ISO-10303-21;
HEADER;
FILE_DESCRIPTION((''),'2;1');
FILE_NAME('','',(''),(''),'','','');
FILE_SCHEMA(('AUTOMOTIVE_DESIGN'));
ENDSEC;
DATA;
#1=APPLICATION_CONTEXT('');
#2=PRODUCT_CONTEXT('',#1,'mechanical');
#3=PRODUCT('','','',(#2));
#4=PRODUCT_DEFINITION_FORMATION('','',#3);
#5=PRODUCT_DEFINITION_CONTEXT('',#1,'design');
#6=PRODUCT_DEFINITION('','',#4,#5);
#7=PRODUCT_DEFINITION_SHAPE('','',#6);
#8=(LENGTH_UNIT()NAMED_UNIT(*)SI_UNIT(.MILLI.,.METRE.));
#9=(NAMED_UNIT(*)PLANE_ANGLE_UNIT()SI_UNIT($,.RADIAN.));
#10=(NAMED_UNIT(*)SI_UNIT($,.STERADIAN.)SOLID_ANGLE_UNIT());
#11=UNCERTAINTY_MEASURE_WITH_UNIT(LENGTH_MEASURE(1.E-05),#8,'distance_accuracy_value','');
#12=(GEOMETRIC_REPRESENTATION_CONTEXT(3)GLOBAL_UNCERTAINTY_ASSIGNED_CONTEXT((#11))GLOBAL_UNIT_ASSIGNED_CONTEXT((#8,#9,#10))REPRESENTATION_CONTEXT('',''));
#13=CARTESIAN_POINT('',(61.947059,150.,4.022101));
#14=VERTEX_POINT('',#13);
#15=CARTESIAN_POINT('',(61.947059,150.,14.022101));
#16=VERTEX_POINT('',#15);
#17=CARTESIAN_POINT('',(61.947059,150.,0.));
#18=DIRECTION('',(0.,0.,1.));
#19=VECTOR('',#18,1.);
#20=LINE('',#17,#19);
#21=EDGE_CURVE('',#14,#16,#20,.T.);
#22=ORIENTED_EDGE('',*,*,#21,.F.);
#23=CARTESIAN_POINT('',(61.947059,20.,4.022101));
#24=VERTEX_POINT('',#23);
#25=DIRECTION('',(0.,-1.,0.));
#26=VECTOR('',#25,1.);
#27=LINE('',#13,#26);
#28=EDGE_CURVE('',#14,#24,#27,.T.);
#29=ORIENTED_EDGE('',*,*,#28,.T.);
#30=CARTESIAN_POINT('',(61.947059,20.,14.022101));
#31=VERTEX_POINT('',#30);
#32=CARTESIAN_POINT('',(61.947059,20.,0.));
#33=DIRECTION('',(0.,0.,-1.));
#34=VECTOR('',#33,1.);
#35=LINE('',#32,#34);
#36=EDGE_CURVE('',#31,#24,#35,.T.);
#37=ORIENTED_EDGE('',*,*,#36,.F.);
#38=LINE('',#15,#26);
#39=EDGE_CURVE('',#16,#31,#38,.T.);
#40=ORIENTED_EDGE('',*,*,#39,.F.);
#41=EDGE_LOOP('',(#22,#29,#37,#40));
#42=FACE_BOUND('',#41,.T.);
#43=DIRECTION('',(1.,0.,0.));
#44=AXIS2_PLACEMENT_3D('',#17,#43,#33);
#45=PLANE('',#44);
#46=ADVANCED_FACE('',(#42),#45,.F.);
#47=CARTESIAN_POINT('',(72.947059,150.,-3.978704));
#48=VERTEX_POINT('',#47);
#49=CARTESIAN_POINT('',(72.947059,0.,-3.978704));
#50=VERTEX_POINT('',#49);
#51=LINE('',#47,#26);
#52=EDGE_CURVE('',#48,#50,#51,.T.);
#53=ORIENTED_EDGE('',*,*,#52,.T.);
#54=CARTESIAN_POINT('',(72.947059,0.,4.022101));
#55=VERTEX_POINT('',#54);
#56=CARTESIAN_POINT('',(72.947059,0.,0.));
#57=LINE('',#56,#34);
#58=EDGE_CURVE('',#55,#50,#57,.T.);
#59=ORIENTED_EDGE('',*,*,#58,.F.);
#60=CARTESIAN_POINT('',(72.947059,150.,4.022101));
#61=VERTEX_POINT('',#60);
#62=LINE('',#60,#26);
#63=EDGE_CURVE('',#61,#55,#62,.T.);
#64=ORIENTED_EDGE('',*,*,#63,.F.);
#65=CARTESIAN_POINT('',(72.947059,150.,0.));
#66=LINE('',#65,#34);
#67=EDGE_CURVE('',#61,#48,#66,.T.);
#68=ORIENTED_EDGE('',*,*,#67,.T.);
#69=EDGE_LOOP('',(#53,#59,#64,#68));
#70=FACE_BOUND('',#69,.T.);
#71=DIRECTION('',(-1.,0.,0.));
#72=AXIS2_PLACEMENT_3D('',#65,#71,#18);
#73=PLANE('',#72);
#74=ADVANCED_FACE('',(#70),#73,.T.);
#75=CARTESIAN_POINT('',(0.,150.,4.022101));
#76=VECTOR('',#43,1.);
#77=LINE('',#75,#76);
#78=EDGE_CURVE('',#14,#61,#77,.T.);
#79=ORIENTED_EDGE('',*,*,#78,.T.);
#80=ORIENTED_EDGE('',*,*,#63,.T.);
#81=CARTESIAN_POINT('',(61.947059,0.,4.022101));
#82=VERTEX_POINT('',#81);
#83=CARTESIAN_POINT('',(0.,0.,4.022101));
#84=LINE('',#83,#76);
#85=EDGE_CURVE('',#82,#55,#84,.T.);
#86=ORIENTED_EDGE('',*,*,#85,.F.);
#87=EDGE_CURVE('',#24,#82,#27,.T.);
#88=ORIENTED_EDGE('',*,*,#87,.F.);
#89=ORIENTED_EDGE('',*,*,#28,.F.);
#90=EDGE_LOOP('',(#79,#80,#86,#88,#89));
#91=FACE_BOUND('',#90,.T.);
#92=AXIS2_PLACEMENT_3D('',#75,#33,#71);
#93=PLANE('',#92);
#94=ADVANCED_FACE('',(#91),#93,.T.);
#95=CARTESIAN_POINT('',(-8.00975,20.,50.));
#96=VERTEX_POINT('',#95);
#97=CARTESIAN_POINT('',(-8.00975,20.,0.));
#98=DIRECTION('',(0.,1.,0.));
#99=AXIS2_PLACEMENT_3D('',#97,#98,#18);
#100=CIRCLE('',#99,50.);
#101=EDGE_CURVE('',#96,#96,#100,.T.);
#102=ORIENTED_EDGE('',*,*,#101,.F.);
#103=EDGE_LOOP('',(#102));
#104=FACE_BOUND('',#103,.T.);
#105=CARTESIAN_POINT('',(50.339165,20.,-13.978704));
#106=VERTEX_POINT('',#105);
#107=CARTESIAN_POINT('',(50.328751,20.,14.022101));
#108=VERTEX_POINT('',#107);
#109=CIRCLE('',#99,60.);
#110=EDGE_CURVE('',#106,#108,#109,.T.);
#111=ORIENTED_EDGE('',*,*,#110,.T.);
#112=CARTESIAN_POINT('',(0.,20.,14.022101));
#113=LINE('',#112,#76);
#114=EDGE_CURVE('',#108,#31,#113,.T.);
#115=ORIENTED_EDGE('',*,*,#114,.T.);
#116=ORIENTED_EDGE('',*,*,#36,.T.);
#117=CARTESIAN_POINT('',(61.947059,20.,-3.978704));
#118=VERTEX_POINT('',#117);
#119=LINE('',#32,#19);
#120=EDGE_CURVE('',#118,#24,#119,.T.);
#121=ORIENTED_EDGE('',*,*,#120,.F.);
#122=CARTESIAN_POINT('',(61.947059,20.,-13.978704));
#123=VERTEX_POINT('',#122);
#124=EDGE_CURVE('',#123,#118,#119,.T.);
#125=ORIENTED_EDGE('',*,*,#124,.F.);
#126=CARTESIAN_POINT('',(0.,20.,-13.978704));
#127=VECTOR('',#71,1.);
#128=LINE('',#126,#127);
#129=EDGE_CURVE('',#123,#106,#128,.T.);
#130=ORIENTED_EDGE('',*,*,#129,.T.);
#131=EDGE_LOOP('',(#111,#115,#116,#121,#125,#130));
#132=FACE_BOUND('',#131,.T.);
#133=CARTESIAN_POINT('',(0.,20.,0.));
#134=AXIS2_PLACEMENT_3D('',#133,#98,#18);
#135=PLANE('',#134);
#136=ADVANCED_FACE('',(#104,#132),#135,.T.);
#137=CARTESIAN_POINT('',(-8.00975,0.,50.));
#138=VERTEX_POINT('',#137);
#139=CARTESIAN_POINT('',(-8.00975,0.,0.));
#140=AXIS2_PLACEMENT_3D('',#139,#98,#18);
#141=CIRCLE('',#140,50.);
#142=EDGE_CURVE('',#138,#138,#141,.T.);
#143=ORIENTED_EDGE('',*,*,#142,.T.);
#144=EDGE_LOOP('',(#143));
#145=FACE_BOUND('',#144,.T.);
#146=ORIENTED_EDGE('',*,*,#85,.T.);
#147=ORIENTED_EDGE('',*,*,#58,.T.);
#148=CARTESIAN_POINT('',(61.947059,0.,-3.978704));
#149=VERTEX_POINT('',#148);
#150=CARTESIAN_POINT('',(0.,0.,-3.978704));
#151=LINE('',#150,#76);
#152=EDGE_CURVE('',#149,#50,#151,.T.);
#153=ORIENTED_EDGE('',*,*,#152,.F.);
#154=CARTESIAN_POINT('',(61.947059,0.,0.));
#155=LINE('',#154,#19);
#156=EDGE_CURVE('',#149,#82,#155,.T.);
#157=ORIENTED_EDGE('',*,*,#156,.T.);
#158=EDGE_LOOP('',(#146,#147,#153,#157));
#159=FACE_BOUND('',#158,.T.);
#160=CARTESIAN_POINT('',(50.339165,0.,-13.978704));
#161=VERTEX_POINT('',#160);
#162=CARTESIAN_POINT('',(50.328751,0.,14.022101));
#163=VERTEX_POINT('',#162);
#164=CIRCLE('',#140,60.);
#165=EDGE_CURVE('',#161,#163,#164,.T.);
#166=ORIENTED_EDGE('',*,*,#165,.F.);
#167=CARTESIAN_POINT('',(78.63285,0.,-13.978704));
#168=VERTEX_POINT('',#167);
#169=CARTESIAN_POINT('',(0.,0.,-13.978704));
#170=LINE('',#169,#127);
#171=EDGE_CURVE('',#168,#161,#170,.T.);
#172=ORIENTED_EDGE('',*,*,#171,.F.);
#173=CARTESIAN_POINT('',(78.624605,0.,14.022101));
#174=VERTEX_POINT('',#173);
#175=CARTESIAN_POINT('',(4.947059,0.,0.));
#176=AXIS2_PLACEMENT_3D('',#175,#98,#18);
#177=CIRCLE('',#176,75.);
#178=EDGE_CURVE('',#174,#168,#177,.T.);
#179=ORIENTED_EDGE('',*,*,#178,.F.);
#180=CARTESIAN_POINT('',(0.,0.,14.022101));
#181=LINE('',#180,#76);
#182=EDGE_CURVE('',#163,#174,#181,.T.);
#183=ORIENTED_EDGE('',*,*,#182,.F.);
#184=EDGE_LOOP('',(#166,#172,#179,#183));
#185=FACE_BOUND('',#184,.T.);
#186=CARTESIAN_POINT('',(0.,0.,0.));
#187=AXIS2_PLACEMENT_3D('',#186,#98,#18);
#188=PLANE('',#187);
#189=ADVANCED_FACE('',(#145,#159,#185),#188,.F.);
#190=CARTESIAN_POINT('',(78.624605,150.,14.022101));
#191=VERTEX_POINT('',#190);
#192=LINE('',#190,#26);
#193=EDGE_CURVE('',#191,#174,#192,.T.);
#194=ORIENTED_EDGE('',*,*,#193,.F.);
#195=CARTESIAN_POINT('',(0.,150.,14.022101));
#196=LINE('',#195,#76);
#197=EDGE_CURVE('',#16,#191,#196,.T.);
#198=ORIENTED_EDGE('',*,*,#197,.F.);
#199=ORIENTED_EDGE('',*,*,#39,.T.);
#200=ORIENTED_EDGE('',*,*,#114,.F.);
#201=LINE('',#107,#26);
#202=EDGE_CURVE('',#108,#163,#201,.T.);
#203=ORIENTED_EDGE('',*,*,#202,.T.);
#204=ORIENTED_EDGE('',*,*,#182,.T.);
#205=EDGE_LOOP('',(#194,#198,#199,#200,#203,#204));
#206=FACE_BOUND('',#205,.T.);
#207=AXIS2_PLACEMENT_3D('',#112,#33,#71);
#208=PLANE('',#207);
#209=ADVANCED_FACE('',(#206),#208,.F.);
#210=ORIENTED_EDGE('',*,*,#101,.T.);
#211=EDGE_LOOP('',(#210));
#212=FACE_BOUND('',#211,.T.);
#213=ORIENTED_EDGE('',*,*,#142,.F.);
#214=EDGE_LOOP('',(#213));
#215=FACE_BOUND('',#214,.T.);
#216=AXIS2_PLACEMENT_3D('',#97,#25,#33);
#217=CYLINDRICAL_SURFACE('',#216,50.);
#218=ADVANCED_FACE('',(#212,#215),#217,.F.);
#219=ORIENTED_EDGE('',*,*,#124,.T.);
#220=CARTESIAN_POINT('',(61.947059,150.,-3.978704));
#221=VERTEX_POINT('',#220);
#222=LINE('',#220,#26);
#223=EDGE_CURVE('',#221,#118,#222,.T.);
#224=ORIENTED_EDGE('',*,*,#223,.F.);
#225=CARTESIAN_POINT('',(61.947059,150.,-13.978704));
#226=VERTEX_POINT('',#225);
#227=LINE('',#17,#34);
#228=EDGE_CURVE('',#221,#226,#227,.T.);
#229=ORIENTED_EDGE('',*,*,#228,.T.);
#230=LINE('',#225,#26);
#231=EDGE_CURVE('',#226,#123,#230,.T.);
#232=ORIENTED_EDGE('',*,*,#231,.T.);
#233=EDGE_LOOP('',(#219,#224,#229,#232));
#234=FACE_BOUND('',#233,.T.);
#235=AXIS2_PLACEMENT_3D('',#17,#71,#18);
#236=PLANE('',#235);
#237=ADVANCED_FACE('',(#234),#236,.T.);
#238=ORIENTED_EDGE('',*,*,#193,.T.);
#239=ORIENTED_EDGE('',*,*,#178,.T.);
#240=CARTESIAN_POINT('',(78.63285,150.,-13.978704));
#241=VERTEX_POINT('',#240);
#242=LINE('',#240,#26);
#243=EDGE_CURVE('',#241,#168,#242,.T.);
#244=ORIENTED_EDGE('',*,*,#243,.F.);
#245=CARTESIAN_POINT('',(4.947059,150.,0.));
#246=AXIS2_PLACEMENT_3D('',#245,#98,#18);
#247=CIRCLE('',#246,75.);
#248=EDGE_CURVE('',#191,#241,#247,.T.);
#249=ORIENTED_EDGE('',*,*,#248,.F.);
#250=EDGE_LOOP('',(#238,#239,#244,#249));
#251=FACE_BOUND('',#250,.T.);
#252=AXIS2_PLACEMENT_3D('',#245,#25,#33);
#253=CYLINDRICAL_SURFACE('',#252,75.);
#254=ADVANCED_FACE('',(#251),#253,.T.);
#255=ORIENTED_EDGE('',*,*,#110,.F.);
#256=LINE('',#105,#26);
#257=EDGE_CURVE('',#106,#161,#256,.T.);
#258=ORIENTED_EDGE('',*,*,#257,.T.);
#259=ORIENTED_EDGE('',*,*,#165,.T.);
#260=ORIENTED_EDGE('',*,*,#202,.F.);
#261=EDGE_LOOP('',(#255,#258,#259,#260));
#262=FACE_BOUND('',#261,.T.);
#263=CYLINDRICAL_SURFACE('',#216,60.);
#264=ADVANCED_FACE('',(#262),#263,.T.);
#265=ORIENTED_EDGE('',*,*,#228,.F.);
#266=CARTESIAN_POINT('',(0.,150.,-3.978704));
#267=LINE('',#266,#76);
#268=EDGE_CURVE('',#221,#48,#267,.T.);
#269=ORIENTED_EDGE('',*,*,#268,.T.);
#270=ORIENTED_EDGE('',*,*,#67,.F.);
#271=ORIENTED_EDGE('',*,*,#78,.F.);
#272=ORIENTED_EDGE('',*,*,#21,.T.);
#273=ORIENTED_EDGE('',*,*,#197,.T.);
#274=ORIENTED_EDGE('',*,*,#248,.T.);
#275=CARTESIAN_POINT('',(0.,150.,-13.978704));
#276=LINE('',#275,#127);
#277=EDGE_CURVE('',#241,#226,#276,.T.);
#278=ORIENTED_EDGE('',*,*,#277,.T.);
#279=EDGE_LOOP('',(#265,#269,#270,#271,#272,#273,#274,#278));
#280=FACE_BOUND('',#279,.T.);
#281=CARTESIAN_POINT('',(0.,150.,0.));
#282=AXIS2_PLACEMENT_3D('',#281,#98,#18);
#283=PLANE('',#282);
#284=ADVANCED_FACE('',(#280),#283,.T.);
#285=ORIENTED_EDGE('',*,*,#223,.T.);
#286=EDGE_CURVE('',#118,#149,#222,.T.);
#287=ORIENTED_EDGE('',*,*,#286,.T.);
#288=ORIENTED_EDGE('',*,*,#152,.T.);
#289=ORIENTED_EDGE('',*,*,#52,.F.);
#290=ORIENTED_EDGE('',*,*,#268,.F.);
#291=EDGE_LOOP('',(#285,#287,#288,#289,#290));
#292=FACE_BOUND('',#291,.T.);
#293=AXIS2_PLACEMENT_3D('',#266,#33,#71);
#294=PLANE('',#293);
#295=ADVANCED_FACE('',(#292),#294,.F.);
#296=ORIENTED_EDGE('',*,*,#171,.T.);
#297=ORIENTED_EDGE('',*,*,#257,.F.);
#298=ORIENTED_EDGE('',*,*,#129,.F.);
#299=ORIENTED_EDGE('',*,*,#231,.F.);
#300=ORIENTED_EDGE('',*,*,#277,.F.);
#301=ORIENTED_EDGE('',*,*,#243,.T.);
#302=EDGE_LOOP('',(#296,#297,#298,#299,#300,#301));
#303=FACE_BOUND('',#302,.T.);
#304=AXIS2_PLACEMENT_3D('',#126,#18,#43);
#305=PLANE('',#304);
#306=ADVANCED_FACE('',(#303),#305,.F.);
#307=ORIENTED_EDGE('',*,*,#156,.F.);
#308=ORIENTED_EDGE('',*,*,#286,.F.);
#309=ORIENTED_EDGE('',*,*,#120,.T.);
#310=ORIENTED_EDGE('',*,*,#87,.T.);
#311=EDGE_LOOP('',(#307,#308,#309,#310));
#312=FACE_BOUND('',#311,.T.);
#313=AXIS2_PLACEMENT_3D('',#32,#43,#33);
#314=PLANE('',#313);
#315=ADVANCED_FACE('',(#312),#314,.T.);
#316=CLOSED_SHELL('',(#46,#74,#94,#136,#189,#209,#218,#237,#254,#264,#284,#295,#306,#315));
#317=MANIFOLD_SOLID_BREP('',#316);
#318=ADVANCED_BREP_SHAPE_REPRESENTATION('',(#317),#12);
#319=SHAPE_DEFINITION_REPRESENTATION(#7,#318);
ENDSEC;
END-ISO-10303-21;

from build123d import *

# Parameters (mm, degrees)
SKETCH1_R           = 50
BOSS_EXTRUDE1_DEPTH = 20
BOSS_EXTRUDE2_DEPTH = 150


with BuildPart() as part:
    # Sketch1 → Boss-Extrude1 (new body)
    with BuildSketch(Plane(origin=(0, 0, 0), x_dir=(1, 0, 0), z_dir=(0, 1, 0))):
        with BuildLine():
            ThreePointArc((50.339164764, 13.978703751), (-68.009745742, 0.022314378), (50.328751088, -14.02210054))
            Line((50.328751088, -14.02210054), (61.947059133, -14.02210054))
            Line((61.947059133, -14.02210054), (61.947059133, 13.978703751))
            Line((61.947059133, 13.978703751), (50.339164764, 13.978703751))
        make_face()
        with Locations((-8.009749891, 0)):
            Circle(SKETCH1_R, mode=Mode.SUBTRACT)
    extrude(amount=BOSS_EXTRUDE1_DEPTH)

    # Sketch1<4> → Boss-Extrude2 (add)
    with BuildSketch(Plane(origin=(0, 0, 0), x_dir=(1, 0, 0), z_dir=(0, 1, 0))):
        with BuildLine():
            Line((72.947059133, 3.978703751), (72.947059133, -4.02210054))
            Line((72.947059133, -4.02210054), (61.947059133, -4.02210054))
            Line((61.947059133, -4.02210054), (61.947059133, -14.02210054))
            Line((61.947059133, -14.02210054), (78.624604535, -14.02210054))
            ThreePointArc((78.624604535, -14.02210054), (79.947055881, -0.022086627), (78.632850446, 13.978703751))
            Line((78.632850446, 13.978703751), (61.947059133, 13.978703751))
            Line((61.947059133, 13.978703751), (61.947059133, 3.978703751))
            Line((61.947059133, 3.978703751), (72.947059133, 3.978703751))
        make_face()
    extrude(amount=BOSS_EXTRUDE2_DEPTH)


solid = part.part
